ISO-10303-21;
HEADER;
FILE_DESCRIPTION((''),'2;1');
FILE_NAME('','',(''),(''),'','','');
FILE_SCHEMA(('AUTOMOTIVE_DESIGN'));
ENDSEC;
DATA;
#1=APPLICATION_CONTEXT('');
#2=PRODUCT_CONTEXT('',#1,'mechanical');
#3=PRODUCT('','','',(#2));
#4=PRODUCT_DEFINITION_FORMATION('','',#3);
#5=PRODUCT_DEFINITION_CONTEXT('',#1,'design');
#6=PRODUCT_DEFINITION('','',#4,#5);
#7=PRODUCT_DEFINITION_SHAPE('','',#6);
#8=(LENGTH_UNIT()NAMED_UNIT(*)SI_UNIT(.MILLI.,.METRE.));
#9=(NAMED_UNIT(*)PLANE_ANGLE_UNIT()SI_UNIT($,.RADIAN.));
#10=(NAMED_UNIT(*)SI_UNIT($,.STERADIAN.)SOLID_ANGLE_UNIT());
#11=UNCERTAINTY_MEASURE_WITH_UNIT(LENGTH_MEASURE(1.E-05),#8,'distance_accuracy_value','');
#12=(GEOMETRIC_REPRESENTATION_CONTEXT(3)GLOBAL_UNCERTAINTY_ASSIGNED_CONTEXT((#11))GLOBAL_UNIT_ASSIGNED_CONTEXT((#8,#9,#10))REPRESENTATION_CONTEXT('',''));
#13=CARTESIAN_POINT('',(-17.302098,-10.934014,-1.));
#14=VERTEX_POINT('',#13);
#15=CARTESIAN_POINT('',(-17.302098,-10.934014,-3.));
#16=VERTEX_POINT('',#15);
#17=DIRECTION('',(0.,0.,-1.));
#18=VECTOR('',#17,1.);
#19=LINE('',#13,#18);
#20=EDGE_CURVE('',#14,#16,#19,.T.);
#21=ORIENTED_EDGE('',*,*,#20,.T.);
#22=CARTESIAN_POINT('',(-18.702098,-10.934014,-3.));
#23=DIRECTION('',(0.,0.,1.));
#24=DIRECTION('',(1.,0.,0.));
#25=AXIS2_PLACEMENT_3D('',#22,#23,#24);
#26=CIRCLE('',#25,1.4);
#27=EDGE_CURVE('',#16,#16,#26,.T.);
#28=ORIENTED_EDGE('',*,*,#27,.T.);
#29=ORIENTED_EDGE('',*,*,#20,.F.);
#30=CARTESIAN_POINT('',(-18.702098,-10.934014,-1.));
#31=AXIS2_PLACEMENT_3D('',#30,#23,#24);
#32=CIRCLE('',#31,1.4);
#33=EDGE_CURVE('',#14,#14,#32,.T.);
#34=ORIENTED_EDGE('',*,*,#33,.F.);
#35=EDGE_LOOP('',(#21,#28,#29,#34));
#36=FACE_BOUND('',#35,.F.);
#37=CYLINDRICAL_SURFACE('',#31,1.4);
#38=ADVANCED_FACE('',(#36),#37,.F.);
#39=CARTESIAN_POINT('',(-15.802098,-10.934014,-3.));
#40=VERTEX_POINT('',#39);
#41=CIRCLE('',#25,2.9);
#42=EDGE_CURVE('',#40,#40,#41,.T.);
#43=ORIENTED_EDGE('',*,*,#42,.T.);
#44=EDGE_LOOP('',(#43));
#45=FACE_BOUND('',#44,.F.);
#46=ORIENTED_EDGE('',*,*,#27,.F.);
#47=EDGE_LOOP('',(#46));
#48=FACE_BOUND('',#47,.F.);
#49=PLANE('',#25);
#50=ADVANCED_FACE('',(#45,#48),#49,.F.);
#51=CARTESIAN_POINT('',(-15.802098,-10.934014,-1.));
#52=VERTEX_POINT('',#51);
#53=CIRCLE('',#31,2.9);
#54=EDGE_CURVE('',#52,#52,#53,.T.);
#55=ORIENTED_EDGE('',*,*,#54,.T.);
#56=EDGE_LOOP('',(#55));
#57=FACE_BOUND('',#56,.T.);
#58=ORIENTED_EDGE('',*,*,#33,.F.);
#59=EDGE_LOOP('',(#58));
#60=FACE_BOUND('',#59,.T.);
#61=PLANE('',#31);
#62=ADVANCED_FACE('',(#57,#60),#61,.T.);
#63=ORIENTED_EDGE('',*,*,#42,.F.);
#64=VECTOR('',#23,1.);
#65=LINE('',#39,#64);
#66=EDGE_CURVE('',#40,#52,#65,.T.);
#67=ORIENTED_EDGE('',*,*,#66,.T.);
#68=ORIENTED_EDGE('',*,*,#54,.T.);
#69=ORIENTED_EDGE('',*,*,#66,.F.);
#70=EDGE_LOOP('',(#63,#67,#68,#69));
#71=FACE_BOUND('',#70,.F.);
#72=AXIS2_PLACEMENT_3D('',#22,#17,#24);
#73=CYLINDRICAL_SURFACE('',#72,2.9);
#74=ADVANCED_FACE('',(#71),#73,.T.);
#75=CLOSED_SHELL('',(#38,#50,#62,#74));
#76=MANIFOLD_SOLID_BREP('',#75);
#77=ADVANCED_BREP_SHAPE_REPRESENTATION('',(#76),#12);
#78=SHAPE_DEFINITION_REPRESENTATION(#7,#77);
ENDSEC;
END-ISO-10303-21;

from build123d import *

# Parameters (mm, degrees)
CIRCLE014_R      = 1.4
EXTRUDE175_DEPTH = 2
CIRCLE_R         = 2.9
EXTRUDE174_DEPTH = 2


with BuildPart() as extrude175:
    # Circle014 → Extrude175 (new body)
    with BuildSketch(Plane(origin=(-18.702098, -10.934014, -1), x_dir=(1, 0, 0), z_dir=(0, 0, 1))):
        Circle(CIRCLE014_R)
    extrude(amount=-EXTRUDE175_DEPTH)


with BuildPart() as cut087:
    # Circle → Extrude174 (new body)
    with BuildSketch(Plane(origin=(-18.702098, -10.934014, -3), x_dir=(1, 0, 0), z_dir=(0, 0, 1))):
        Circle(CIRCLE_R)
    extrude(amount=EXTRUDE174_DEPTH)

    # Cut087: cut Extrude175
    add(extrude175.part, mode=Mode.SUBTRACT)


solid = cut087.part
